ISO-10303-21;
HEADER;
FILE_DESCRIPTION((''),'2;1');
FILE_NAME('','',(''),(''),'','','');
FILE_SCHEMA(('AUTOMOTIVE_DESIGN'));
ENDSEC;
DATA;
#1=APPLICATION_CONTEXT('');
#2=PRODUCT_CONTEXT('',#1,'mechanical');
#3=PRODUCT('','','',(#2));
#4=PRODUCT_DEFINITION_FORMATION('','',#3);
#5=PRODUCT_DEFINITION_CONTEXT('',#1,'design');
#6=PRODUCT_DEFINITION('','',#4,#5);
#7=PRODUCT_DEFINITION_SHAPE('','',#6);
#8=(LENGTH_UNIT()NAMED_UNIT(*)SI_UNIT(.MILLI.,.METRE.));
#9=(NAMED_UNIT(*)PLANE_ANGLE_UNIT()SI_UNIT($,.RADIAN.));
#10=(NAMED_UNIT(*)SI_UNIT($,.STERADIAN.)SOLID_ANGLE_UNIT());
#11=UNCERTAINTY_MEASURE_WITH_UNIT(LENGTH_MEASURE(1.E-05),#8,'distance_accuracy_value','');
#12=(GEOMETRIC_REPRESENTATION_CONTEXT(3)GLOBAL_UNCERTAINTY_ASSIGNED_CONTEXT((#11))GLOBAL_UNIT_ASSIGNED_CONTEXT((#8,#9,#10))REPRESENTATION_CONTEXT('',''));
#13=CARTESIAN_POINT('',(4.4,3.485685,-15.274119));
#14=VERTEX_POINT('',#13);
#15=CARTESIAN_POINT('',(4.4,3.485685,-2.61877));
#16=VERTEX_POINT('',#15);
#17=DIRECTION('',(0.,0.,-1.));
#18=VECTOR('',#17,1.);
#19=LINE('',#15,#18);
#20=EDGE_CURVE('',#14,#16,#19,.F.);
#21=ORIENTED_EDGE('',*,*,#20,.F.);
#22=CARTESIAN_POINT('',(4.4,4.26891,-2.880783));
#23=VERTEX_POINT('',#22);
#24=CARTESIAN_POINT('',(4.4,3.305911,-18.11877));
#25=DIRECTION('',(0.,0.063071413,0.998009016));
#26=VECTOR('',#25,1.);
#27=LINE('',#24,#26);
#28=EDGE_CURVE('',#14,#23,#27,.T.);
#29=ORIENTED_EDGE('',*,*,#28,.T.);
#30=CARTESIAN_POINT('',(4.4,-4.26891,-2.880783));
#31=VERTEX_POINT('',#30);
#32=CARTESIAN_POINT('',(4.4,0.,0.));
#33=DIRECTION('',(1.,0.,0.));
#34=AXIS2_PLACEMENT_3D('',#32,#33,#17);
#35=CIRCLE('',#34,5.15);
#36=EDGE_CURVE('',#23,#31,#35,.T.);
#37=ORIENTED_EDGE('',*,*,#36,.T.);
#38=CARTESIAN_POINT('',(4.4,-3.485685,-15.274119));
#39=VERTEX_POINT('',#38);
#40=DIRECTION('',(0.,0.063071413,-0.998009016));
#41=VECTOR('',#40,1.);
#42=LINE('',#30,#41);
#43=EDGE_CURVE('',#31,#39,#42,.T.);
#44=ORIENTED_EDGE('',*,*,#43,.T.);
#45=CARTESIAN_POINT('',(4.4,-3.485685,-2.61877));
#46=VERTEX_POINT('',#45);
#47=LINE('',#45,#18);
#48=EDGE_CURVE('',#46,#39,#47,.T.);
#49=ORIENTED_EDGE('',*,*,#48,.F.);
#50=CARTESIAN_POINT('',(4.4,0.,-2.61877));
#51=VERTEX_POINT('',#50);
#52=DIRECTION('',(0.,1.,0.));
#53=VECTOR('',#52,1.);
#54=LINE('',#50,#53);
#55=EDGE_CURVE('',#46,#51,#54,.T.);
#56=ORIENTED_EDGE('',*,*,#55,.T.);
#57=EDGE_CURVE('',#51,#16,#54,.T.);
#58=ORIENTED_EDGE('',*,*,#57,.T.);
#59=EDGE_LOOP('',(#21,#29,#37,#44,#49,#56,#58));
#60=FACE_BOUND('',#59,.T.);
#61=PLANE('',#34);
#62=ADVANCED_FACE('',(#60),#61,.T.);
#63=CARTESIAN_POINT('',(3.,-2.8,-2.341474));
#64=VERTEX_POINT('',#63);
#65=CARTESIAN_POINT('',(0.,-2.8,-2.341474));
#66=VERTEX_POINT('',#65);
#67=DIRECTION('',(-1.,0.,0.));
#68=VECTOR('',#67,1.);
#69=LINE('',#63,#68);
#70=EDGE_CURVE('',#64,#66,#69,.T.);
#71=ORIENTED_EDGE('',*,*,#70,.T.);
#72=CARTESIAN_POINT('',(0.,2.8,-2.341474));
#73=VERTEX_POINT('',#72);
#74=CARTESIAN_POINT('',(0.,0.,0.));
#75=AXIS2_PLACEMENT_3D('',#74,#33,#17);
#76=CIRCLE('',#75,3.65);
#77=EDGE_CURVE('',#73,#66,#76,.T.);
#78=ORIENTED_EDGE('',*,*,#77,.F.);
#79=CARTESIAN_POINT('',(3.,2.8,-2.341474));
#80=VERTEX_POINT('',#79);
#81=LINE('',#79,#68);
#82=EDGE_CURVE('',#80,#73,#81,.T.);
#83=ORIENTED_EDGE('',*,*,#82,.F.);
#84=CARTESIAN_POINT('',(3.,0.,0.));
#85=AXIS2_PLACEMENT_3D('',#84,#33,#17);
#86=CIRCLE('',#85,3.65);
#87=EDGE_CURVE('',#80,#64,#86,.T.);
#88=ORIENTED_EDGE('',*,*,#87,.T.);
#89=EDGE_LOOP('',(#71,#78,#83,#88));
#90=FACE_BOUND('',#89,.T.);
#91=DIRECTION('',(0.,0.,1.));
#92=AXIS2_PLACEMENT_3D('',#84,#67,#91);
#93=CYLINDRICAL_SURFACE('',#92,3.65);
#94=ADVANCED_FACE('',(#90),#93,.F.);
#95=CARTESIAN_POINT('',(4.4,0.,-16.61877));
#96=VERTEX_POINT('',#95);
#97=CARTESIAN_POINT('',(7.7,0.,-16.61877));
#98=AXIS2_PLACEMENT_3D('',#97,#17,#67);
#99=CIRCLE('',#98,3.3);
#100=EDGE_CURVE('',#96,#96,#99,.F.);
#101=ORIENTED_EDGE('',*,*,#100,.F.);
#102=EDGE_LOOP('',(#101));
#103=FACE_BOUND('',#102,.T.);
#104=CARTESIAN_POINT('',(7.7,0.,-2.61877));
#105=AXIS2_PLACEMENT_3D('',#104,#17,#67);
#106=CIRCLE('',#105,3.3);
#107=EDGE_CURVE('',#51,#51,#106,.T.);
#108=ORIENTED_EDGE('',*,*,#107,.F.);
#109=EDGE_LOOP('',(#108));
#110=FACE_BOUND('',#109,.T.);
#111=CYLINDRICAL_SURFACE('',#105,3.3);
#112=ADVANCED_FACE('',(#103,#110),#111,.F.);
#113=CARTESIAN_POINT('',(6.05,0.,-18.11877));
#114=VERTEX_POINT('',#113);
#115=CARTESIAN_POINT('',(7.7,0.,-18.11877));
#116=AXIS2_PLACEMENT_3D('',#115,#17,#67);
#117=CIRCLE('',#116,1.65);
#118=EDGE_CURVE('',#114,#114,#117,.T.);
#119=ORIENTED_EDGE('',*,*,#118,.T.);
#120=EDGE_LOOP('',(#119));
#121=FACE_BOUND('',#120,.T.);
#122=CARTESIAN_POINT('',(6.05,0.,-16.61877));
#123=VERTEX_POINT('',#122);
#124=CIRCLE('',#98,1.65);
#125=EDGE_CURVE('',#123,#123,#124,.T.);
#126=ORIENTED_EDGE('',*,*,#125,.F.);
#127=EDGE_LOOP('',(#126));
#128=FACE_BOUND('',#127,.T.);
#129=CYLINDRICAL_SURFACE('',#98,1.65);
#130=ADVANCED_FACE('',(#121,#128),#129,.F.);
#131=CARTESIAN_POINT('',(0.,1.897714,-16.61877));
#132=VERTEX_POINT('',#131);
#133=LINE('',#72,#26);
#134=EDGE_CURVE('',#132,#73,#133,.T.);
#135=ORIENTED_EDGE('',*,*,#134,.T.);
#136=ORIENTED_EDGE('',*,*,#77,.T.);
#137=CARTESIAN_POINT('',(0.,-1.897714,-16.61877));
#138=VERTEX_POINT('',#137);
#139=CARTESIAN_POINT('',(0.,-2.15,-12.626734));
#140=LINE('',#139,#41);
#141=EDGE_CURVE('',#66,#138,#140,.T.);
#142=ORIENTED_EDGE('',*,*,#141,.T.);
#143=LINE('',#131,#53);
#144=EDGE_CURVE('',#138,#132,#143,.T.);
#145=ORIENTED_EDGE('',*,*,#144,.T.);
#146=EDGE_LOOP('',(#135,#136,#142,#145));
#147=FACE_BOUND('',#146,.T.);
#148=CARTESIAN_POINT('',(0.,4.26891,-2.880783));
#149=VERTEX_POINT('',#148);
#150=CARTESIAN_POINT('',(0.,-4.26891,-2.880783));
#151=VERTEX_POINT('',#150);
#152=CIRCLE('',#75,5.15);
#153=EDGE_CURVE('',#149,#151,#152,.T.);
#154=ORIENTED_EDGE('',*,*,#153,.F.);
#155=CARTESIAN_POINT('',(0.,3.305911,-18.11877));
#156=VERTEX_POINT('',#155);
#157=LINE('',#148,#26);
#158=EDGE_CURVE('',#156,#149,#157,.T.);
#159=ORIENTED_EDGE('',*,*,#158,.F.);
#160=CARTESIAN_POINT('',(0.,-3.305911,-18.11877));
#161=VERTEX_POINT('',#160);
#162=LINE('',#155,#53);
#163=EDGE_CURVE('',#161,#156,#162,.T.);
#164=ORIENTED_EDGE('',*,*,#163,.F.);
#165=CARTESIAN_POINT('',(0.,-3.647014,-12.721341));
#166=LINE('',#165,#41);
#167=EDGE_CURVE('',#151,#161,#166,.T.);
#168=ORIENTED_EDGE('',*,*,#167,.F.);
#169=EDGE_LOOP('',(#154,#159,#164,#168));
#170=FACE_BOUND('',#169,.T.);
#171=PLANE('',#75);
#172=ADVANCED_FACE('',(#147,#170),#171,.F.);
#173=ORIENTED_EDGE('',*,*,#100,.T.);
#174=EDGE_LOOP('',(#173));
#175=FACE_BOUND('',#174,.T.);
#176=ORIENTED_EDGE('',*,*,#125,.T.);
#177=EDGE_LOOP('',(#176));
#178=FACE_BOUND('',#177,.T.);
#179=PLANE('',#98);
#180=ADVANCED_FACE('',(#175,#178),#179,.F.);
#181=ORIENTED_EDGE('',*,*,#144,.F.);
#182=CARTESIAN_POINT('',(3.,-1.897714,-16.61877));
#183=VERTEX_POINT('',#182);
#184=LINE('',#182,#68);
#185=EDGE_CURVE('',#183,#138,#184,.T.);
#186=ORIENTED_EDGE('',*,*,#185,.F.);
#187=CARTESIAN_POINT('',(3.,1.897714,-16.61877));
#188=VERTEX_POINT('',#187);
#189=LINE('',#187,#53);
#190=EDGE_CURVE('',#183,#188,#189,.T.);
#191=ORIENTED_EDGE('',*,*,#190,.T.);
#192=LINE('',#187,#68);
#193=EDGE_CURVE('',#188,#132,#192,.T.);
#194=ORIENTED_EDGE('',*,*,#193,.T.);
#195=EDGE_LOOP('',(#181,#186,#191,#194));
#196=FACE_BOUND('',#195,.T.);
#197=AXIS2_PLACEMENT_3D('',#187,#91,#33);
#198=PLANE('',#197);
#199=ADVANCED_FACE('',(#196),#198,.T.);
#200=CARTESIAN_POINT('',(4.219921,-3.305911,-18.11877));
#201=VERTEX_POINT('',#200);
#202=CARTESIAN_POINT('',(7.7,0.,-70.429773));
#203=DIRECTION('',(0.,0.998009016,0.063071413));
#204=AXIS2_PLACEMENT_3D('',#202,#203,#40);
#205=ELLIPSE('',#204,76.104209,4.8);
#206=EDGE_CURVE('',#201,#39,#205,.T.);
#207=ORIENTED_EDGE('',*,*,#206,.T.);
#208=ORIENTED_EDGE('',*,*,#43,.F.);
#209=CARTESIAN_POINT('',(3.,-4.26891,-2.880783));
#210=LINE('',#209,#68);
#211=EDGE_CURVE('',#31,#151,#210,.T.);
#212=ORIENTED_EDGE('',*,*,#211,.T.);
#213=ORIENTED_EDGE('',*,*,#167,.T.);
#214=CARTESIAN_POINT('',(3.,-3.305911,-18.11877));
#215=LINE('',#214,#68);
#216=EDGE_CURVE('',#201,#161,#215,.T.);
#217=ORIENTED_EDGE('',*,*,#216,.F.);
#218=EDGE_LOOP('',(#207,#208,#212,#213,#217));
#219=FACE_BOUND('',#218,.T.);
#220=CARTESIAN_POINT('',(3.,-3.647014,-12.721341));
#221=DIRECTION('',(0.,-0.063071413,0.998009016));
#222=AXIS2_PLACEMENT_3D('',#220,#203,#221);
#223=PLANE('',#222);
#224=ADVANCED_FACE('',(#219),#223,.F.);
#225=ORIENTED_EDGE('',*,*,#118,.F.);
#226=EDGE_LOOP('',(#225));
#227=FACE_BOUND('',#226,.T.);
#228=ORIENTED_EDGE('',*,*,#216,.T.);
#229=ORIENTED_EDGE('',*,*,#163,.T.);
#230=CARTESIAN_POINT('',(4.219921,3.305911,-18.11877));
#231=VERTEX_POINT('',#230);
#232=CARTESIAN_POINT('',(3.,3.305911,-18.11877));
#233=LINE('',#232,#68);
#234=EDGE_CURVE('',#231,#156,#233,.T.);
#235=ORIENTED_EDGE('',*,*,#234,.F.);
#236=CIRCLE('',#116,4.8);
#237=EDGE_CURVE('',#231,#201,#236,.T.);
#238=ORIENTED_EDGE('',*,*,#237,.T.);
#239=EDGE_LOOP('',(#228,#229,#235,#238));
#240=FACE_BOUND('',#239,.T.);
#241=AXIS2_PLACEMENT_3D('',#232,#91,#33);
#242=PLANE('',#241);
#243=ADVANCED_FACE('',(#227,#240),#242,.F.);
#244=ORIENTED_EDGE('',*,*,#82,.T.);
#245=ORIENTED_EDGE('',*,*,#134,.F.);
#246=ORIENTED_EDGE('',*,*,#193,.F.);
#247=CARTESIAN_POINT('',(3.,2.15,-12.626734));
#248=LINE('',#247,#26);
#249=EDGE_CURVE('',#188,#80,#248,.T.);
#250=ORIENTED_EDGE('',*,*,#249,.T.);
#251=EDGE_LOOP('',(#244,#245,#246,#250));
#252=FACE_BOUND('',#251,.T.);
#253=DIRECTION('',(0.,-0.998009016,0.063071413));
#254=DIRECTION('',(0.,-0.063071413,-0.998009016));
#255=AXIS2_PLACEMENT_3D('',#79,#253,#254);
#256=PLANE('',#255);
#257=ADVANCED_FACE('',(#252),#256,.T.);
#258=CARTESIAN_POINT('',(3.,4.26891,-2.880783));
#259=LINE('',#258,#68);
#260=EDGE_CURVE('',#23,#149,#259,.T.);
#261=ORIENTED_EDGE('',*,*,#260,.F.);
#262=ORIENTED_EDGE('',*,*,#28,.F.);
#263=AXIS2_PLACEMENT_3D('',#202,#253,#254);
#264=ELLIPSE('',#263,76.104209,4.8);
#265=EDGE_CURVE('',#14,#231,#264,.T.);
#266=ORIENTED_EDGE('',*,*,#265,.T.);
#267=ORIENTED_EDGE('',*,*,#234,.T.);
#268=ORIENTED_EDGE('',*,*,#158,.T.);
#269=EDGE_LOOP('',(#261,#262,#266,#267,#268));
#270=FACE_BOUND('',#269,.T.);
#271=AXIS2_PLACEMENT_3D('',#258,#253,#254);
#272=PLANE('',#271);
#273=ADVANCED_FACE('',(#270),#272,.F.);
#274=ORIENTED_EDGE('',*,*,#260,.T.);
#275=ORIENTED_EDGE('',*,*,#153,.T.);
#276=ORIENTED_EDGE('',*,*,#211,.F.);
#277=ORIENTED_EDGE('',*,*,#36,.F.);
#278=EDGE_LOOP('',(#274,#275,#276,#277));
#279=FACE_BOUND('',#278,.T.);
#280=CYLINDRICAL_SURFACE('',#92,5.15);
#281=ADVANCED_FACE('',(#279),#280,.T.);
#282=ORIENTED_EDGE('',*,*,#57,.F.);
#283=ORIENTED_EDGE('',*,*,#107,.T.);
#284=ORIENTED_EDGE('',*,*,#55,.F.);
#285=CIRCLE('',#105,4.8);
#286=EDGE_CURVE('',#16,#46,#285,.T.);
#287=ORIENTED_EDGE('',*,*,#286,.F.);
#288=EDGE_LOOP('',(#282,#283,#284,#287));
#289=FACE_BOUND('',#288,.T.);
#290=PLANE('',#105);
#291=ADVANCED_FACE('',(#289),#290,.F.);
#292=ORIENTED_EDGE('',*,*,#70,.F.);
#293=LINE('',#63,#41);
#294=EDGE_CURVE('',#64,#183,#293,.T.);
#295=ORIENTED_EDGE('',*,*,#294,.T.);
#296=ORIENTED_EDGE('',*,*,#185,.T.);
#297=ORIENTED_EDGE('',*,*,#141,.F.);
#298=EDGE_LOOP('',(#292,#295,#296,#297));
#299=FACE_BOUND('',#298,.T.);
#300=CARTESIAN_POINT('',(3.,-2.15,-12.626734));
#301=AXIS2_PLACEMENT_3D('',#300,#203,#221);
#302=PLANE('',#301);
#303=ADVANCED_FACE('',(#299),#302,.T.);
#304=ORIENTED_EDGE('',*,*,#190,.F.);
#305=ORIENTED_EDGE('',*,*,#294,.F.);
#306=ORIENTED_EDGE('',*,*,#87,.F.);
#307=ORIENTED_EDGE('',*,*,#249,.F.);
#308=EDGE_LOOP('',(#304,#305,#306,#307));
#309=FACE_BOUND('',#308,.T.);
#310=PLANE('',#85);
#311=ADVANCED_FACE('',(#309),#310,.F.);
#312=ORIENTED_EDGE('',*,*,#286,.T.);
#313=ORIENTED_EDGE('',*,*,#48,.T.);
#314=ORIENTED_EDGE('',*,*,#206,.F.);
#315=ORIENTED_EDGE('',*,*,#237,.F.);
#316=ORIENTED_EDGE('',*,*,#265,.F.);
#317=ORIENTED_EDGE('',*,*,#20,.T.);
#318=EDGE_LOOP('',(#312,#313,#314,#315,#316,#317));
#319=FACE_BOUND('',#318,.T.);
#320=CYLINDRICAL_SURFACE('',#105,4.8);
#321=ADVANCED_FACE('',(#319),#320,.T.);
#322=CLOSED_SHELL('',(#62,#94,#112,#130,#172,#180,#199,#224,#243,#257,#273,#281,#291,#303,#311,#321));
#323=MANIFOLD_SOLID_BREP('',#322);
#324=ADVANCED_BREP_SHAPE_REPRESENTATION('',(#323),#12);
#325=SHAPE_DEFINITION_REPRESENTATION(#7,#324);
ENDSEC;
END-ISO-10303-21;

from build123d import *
from build123d.topology import SkipClean

# Parameters (mm, degrees)
BOSS_EXTRUDE1_DEPTH = 3
BOSS_EXTRUDE2_DEPTH = 1.4
SKETCH3_R           = 4.8
SKETCH3_R_2         = 3.3
BOSS_EXTRUDE3_DEPTH = 15.5
SKETCH4_R           = 3.3
SKETCH4_R_2         = 1.65
BOSS_EXTRUDE4_DEPTH = 1.5
CUT_EXTRUDE1_DEPTH  = 3


with BuildPart() as part:
    # Sketch1 → Boss-Extrude1 (new body)
    with BuildSketch(Plane(origin=(0, 0, 0), x_dir=(0, 0, -1), z_dir=(1, 0, 0))):
        with BuildLine():
            Line((2.880783046, 4.268909585), (12.721340672, 3.647013525))
            Line((12.721340672, 3.647013525), (18.118769618, 3.305910924))
            Line((18.118769618, 3.305910924), (18.118769618, -3.305910924))
            Line((18.118769618, -3.305910924), (12.721340672, -3.647013525))
            Line((12.721340672, -3.647013525), (2.880783046, -4.268909585))
            ThreePointArc((2.880783046, -4.268909585), (-5.15, 0), (2.880783046, 4.268909585))
        make_face()
        with BuildLine():
            Line((2.341473895, 2.8), (12.626733553, 2.15))
            Line((12.626733553, 2.15), (16.618769618, 1.897714348))
            Line((16.618769618, 1.897714348), (16.618769618, -1.897714348))
            Line((16.618769618, -1.897714348), (12.626733553, -2.15))
            Line((12.626733553, -2.15), (2.341473895, -2.8))
            ThreePointArc((2.341473895, -2.8), (-3.65, 0), (2.341473895, 2.8))
        make_face(mode=Mode.SUBTRACT)
    extrude(amount=BOSS_EXTRUDE1_DEPTH)

    # Sketch2 → Boss-Extrude2 (add)
    with SkipClean():  # the faces are left unmerged after this step: merging them gives an invalid solid
        with BuildSketch(Plane(origin=(3, 0, 0), x_dir=(0, 0, -1), z_dir=(1, 0, 0))):
            with BuildLine():
                Line((2.880783046, -4.268909585), (18.118769618, -3.305910924))
                Line((18.118769618, -3.305910924), (18.118769618, 3.305910924))
                Line((18.118769618, 3.305910924), (2.880783046, 4.268909585))
                ThreePointArc((2.880783046, 4.268909585), (-5.15, 0), (2.880783046, -4.268909585))
            make_face()
        extrude(amount=BOSS_EXTRUDE2_DEPTH)

    # Sketch3 → Boss-Extrude3 (add)
    with SkipClean():  # the faces are left unmerged after this step: merging them gives an invalid solid
        with BuildSketch(Plane(origin=(0, 0, -18.118769618), x_dir=(-1, 0, 0), z_dir=(0, 0, -1))):
            with Locations((-7.7, 0)):
                Circle(SKETCH3_R)
            with Locations((-7.7, 0)):
                Circle(SKETCH3_R_2, mode=Mode.SUBTRACT)
        extrude(amount=-BOSS_EXTRUDE3_DEPTH)

    # Sketch4 → Boss-Extrude4 (add)
    with SkipClean():  # the faces are left unmerged after this step: merging them gives an invalid solid
        with BuildSketch(Plane(origin=(0, 0, -18.118769618), x_dir=(-1, 0, 0), z_dir=(0, 0, -1))):
            with Locations((-7.7, 0)):
                Circle(SKETCH4_R)
            with Locations((-7.7, 0)):
                Circle(SKETCH4_R_2, mode=Mode.SUBTRACT)
        extrude(amount=-BOSS_EXTRUDE4_DEPTH)

    # Sketch5 → Cut-Extrude1 (cut)
    with SkipClean():  # the faces are left unmerged after this step: merging them gives an invalid solid
        with BuildSketch(Plane.ZY):
            with BuildLine():
                Line((-16.618769618, 1.897714348), (-2.341473895, 2.8))
                ThreePointArc((-2.341473895, 2.8), (3.65, 0), (-2.341473895, -2.8))
                Line((-2.341473895, -2.8), (-16.618769618, -1.897714348))
                Line((-16.618769618, -1.897714348), (-16.618769618, 1.897714348))
            make_face()
        extrude(amount=-CUT_EXTRUDE1_DEPTH, mode=Mode.SUBTRACT)


solid = part.part
